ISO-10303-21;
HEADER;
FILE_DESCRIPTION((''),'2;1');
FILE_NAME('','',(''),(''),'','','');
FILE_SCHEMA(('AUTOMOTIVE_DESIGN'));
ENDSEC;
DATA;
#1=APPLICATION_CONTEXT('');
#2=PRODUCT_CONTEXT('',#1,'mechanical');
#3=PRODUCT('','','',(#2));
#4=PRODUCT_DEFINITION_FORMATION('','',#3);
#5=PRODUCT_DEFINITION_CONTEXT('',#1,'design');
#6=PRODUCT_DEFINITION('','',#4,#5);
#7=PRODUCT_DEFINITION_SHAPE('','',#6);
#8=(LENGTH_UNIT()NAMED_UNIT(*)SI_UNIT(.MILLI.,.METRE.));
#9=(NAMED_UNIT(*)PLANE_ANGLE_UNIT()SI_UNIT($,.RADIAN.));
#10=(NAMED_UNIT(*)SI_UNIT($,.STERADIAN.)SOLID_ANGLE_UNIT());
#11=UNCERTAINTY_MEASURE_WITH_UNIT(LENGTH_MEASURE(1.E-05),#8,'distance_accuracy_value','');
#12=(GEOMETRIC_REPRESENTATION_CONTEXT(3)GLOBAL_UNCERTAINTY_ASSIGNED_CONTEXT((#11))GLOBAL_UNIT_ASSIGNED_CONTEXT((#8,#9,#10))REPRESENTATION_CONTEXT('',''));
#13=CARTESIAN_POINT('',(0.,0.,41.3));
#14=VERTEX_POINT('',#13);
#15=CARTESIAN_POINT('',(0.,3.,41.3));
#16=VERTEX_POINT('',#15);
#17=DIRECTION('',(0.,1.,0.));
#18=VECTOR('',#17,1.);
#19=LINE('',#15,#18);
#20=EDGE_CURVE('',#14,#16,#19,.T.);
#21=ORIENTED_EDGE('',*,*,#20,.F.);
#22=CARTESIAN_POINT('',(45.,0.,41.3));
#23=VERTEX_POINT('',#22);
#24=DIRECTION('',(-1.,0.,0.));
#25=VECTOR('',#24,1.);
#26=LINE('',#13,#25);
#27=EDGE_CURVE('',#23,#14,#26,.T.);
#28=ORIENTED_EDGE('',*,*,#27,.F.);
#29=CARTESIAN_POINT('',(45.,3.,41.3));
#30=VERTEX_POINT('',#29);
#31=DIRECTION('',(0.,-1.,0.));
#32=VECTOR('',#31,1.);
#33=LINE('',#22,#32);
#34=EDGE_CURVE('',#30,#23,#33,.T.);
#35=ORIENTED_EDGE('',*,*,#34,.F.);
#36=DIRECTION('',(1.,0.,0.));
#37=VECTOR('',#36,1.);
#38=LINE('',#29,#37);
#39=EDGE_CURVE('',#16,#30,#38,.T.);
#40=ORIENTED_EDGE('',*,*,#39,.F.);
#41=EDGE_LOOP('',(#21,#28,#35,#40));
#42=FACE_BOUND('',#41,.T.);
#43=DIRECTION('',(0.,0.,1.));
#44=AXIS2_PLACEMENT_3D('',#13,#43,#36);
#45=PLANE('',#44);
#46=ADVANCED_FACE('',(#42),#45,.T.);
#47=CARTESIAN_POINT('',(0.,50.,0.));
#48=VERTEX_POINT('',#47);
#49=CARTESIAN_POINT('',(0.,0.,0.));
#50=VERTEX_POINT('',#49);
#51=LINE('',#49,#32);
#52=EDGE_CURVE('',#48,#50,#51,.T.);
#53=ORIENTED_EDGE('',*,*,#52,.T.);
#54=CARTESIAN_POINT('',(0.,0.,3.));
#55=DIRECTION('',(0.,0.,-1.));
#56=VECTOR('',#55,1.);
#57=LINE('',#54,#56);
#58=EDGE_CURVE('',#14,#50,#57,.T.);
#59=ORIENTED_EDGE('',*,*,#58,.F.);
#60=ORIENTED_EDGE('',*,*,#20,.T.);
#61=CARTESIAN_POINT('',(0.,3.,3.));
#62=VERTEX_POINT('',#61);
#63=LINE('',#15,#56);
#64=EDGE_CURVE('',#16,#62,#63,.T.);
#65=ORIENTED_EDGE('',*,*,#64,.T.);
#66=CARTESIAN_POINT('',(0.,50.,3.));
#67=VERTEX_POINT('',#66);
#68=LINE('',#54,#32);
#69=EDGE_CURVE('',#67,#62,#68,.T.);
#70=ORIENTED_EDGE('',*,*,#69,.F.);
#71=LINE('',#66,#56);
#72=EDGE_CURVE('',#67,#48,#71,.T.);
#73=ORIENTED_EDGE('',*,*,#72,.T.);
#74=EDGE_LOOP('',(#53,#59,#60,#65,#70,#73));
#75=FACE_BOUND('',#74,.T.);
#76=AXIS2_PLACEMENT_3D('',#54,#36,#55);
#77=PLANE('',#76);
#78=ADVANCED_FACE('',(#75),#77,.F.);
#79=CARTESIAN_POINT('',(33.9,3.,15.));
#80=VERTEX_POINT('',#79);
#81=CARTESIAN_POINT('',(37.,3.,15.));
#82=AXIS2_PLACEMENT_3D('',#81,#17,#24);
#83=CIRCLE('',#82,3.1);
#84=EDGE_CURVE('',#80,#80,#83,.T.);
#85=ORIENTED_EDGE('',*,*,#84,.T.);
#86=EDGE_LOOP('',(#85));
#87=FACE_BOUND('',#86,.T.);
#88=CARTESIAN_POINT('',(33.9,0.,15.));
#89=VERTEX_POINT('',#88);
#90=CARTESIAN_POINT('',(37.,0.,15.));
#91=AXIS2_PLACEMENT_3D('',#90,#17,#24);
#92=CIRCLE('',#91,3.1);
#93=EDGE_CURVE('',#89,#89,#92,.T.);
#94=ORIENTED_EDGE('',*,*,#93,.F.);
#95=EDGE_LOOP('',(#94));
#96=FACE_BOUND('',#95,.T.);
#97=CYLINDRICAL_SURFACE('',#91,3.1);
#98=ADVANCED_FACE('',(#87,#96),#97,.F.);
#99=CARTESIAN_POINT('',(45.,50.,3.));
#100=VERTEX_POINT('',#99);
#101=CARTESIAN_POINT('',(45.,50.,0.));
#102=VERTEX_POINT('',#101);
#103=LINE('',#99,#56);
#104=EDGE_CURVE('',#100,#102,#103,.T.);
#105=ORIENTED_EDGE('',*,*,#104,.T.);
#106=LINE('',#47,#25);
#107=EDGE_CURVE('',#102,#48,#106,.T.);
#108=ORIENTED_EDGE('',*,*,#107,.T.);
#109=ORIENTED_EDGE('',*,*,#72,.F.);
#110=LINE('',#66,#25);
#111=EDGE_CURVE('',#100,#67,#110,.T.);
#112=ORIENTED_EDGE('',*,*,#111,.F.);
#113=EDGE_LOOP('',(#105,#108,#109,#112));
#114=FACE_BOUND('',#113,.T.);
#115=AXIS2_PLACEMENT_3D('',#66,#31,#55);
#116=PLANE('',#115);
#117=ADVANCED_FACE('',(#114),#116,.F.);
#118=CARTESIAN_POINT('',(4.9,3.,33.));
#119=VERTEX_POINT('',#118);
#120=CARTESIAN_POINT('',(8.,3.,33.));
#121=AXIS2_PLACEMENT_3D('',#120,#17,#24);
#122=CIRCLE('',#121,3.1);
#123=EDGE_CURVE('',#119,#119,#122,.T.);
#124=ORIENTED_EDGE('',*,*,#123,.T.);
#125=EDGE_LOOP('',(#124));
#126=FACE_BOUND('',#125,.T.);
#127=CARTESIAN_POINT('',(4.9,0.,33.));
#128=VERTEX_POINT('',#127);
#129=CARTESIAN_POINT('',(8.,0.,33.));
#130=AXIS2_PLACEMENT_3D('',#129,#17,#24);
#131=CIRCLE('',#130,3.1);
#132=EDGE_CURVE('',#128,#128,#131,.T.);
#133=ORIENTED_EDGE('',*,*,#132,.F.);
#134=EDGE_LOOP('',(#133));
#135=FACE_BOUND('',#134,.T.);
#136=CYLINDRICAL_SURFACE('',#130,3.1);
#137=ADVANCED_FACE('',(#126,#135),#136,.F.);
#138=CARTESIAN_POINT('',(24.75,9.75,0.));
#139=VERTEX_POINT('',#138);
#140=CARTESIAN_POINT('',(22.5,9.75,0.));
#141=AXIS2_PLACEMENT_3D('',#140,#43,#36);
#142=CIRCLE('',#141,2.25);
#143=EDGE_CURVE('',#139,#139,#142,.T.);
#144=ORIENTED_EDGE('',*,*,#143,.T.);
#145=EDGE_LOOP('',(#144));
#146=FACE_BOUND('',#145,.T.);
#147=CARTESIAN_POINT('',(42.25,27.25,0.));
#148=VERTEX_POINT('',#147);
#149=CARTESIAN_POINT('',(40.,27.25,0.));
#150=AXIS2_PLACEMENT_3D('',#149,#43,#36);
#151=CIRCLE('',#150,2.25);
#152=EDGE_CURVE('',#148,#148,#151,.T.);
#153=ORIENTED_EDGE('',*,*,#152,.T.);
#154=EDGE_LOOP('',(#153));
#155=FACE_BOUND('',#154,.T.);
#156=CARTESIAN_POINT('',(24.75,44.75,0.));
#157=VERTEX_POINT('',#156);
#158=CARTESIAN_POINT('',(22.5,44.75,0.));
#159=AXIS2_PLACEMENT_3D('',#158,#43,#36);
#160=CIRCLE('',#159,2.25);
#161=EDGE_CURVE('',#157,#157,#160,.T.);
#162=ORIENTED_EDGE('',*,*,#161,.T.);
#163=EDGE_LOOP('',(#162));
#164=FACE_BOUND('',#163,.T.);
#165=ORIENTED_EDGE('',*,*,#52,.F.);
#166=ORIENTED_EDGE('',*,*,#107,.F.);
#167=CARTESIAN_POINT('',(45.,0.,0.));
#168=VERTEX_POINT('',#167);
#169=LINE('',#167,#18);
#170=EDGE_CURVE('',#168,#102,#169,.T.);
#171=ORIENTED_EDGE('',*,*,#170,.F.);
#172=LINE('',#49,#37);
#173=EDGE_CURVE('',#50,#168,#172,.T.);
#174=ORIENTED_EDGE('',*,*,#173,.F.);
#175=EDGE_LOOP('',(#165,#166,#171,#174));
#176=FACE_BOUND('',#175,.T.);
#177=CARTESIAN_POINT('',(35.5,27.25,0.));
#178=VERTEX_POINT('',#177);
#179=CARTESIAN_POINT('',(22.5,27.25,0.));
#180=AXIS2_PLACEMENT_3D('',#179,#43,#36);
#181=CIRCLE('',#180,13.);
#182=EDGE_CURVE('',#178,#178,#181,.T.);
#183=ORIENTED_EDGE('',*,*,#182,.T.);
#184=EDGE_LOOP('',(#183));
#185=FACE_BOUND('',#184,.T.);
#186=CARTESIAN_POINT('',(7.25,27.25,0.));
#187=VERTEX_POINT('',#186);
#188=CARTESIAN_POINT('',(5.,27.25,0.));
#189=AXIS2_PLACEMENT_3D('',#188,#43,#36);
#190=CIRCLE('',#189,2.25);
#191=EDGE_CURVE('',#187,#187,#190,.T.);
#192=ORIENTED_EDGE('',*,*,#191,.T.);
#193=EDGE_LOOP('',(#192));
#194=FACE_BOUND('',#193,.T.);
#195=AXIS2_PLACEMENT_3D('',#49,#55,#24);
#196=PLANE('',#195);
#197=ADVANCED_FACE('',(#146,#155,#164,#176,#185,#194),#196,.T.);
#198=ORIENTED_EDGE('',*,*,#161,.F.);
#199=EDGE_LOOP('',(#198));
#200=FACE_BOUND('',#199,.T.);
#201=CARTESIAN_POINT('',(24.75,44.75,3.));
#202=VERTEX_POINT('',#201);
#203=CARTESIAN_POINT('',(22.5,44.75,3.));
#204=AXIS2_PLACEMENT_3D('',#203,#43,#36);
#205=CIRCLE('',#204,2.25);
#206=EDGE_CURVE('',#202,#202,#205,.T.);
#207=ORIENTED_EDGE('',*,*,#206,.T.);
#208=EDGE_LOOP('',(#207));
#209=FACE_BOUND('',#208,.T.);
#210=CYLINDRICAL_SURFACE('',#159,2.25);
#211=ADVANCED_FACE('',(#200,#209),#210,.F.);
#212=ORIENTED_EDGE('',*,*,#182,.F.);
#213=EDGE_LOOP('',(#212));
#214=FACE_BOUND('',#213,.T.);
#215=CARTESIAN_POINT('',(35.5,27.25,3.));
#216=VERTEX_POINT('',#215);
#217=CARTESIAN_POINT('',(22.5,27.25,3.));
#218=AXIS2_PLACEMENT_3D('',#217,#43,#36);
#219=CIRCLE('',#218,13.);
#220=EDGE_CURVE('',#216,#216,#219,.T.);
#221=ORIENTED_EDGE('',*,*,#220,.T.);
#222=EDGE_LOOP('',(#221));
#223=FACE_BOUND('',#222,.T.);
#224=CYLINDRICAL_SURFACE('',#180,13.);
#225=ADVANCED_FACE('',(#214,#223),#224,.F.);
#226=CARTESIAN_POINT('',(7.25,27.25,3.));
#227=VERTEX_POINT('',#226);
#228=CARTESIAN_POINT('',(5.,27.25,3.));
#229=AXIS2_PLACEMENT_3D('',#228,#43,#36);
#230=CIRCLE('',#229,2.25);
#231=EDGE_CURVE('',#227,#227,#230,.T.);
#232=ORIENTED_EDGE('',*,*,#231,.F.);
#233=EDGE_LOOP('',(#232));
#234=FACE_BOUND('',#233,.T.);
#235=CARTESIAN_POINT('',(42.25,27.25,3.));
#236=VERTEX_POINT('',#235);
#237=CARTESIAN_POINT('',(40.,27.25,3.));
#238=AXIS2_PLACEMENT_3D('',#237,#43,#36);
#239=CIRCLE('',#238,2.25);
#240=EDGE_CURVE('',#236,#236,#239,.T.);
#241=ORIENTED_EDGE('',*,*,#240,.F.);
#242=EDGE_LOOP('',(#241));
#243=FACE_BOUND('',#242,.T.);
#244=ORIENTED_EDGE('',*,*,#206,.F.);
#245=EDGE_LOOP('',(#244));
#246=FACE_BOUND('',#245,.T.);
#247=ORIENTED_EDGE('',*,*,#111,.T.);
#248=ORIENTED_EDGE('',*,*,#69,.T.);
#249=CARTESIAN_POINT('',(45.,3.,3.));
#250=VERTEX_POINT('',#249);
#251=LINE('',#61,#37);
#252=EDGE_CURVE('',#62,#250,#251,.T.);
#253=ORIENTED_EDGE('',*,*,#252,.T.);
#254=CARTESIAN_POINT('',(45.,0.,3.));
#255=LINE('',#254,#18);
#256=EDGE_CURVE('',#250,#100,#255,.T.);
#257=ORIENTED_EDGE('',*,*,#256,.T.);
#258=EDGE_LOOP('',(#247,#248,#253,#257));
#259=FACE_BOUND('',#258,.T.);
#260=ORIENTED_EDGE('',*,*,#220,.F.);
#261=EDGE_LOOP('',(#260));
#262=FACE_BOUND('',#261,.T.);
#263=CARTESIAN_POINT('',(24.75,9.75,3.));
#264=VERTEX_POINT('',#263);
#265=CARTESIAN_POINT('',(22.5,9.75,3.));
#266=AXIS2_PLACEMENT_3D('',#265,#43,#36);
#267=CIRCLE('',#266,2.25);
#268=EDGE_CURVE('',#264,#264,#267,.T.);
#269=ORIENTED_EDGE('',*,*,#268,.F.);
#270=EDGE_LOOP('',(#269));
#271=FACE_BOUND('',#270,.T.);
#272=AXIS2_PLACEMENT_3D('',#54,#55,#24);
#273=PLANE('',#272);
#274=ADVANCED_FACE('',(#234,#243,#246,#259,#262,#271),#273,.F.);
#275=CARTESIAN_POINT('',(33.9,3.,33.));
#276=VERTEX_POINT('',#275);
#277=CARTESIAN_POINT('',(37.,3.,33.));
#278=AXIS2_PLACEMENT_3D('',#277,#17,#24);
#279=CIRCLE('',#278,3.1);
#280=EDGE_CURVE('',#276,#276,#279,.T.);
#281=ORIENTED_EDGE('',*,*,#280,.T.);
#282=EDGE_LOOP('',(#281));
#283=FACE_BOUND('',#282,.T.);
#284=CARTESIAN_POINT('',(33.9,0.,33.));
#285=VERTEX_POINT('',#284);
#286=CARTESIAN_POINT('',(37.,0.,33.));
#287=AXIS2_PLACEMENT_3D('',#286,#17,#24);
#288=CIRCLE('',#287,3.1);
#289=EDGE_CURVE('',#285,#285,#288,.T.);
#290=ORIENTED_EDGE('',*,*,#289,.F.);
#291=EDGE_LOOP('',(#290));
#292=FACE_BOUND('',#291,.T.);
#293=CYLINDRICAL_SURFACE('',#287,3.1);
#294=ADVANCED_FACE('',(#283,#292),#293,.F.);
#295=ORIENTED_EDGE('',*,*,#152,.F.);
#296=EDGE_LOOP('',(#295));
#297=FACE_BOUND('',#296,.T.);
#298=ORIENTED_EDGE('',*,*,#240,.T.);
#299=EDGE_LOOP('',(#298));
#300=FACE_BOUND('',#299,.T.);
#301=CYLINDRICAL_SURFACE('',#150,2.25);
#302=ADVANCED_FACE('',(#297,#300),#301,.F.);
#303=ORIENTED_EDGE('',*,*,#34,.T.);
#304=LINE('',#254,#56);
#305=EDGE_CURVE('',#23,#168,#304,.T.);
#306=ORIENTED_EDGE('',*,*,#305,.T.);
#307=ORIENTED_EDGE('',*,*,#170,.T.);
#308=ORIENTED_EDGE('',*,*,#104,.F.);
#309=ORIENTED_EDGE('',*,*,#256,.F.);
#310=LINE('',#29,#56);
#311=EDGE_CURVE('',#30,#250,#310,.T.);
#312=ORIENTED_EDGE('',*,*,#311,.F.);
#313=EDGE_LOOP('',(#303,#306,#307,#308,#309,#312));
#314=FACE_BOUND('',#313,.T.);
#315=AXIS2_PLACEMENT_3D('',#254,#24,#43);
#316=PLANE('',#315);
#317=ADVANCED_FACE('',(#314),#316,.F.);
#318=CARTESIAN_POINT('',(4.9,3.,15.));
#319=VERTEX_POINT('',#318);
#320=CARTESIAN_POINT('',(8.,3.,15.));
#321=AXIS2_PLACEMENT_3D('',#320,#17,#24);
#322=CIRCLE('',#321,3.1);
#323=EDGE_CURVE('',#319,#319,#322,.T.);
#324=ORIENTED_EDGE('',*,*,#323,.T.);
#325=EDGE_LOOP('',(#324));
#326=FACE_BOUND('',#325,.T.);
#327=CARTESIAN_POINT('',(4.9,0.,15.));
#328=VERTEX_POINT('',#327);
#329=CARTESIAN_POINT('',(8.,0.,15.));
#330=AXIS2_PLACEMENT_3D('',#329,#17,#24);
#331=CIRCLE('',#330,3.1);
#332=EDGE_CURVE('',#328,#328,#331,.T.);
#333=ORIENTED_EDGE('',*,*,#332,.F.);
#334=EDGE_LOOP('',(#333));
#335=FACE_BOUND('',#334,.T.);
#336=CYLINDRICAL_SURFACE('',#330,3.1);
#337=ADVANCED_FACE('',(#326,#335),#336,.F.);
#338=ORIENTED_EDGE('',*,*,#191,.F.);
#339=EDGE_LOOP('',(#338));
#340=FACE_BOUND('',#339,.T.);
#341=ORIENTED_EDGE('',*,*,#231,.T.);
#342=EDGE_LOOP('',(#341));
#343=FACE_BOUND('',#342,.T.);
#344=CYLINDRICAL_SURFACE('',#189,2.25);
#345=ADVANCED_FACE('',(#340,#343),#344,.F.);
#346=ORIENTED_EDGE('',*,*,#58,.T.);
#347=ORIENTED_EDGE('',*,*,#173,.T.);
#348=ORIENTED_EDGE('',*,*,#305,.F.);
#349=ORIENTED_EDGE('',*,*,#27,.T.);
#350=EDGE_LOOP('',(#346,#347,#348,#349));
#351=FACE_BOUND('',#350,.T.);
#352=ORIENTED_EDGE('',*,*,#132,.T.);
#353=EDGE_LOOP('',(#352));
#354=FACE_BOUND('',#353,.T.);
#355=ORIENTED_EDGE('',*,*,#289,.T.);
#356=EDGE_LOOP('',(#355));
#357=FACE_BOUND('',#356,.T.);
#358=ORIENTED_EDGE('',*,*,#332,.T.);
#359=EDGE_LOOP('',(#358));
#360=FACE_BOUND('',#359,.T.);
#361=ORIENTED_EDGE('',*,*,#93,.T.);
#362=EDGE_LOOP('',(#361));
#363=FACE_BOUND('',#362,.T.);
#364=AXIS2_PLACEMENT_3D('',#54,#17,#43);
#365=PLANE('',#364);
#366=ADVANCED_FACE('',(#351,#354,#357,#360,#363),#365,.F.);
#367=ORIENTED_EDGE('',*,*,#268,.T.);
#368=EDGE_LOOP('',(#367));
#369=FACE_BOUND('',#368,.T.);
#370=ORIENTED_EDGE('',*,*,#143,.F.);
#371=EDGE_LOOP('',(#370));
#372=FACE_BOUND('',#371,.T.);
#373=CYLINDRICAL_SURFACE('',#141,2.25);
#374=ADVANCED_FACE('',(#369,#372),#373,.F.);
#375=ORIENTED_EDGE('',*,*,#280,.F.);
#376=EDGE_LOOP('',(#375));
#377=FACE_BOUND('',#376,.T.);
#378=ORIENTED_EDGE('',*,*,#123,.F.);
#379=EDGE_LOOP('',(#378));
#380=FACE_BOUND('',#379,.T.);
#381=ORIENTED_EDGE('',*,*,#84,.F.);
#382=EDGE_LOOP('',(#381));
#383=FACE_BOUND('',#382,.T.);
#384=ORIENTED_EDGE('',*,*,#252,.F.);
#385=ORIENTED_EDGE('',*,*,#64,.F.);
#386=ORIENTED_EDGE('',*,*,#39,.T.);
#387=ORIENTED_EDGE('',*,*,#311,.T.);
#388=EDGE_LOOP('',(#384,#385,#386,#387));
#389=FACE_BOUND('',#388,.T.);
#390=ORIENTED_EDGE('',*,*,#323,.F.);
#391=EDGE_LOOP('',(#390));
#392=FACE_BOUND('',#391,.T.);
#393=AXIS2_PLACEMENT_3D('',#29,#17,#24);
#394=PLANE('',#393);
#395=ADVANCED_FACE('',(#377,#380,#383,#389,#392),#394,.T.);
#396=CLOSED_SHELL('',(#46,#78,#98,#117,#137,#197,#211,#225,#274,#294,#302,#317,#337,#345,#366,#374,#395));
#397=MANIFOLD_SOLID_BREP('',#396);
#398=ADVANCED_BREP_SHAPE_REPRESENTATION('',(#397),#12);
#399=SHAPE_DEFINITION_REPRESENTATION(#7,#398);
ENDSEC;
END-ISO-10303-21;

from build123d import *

# Parameters (mm, degrees)
SKETCH_1_W          = 45
SKETCH_1_H          = 50
EXTRUDE_1_DEPTH     = 3
SKETCH_2_W          = 45
SKETCH_2_H          = 3
EXTRUDE_2_DEPTH     = 41.3
SKETCH_3_R          = 13
SKETCH_3_R_2        = 2.25
CUT_EXTRUDE_1_DEPTH = 78.407299397
SKETCH_4_R          = 3.1
CUT_EXTRUDE_2_DEPTH = 78.069384323


with BuildPart() as part:
    # 草图1 → 凸台-拉伸1 (new body)
    with BuildSketch(Plane.XY):
        with Locations((22.5, 25)):
            Rectangle(SKETCH_1_W, SKETCH_1_H)
    extrude(amount=EXTRUDE_1_DEPTH)

    # 草图2 → 凸台-拉伸2 (add)
    with BuildSketch(Plane(origin=(0, 0, 0), x_dir=(-1, 0, 0), z_dir=(0, 0, -1))):
        with Locations((-22.5, 1.5)):
            Rectangle(SKETCH_2_W, SKETCH_2_H)
    extrude(amount=-EXTRUDE_2_DEPTH)

    # 草图3 → 切除-拉伸1 (cut, through all)
    with BuildSketch(Plane.XY.offset(3)):
        with Locations((22.5, 27.25)):
            Circle(SKETCH_3_R)
        with Locations((22.5, 44.75)):
            Circle(SKETCH_3_R_2)
        with Locations((40, 27.25)):
            Circle(SKETCH_3_R_2)
        with Locations((22.5, 9.75)):
            Circle(SKETCH_3_R_2)
        with Locations((5, 27.25)):
            Circle(SKETCH_3_R_2)
    extrude(amount=-CUT_EXTRUDE_1_DEPTH, mode=Mode.SUBTRACT)

    # 草图4 → 切除-拉伸2 (cut, through all)
    with BuildSketch(Plane(origin=(0, 3, 0), x_dir=(1, 0, 0), z_dir=(0, 1, 0))):
        with Locations(Location((37, -15, 0), (0, 0, 180))):
            Circle(SKETCH_4_R)
        with Locations(Location((37, -33, 0), (0, 0, 180))):
            Circle(SKETCH_4_R)
        with Locations(Location((8, -33, 0), (0, 0, 180))):
            Circle(SKETCH_4_R)
        with Locations(Location((8, -15, 0), (0, 0, 180))):
            Circle(SKETCH_4_R)
    extrude(amount=-CUT_EXTRUDE_2_DEPTH, mode=Mode.SUBTRACT)


solid = part.part
